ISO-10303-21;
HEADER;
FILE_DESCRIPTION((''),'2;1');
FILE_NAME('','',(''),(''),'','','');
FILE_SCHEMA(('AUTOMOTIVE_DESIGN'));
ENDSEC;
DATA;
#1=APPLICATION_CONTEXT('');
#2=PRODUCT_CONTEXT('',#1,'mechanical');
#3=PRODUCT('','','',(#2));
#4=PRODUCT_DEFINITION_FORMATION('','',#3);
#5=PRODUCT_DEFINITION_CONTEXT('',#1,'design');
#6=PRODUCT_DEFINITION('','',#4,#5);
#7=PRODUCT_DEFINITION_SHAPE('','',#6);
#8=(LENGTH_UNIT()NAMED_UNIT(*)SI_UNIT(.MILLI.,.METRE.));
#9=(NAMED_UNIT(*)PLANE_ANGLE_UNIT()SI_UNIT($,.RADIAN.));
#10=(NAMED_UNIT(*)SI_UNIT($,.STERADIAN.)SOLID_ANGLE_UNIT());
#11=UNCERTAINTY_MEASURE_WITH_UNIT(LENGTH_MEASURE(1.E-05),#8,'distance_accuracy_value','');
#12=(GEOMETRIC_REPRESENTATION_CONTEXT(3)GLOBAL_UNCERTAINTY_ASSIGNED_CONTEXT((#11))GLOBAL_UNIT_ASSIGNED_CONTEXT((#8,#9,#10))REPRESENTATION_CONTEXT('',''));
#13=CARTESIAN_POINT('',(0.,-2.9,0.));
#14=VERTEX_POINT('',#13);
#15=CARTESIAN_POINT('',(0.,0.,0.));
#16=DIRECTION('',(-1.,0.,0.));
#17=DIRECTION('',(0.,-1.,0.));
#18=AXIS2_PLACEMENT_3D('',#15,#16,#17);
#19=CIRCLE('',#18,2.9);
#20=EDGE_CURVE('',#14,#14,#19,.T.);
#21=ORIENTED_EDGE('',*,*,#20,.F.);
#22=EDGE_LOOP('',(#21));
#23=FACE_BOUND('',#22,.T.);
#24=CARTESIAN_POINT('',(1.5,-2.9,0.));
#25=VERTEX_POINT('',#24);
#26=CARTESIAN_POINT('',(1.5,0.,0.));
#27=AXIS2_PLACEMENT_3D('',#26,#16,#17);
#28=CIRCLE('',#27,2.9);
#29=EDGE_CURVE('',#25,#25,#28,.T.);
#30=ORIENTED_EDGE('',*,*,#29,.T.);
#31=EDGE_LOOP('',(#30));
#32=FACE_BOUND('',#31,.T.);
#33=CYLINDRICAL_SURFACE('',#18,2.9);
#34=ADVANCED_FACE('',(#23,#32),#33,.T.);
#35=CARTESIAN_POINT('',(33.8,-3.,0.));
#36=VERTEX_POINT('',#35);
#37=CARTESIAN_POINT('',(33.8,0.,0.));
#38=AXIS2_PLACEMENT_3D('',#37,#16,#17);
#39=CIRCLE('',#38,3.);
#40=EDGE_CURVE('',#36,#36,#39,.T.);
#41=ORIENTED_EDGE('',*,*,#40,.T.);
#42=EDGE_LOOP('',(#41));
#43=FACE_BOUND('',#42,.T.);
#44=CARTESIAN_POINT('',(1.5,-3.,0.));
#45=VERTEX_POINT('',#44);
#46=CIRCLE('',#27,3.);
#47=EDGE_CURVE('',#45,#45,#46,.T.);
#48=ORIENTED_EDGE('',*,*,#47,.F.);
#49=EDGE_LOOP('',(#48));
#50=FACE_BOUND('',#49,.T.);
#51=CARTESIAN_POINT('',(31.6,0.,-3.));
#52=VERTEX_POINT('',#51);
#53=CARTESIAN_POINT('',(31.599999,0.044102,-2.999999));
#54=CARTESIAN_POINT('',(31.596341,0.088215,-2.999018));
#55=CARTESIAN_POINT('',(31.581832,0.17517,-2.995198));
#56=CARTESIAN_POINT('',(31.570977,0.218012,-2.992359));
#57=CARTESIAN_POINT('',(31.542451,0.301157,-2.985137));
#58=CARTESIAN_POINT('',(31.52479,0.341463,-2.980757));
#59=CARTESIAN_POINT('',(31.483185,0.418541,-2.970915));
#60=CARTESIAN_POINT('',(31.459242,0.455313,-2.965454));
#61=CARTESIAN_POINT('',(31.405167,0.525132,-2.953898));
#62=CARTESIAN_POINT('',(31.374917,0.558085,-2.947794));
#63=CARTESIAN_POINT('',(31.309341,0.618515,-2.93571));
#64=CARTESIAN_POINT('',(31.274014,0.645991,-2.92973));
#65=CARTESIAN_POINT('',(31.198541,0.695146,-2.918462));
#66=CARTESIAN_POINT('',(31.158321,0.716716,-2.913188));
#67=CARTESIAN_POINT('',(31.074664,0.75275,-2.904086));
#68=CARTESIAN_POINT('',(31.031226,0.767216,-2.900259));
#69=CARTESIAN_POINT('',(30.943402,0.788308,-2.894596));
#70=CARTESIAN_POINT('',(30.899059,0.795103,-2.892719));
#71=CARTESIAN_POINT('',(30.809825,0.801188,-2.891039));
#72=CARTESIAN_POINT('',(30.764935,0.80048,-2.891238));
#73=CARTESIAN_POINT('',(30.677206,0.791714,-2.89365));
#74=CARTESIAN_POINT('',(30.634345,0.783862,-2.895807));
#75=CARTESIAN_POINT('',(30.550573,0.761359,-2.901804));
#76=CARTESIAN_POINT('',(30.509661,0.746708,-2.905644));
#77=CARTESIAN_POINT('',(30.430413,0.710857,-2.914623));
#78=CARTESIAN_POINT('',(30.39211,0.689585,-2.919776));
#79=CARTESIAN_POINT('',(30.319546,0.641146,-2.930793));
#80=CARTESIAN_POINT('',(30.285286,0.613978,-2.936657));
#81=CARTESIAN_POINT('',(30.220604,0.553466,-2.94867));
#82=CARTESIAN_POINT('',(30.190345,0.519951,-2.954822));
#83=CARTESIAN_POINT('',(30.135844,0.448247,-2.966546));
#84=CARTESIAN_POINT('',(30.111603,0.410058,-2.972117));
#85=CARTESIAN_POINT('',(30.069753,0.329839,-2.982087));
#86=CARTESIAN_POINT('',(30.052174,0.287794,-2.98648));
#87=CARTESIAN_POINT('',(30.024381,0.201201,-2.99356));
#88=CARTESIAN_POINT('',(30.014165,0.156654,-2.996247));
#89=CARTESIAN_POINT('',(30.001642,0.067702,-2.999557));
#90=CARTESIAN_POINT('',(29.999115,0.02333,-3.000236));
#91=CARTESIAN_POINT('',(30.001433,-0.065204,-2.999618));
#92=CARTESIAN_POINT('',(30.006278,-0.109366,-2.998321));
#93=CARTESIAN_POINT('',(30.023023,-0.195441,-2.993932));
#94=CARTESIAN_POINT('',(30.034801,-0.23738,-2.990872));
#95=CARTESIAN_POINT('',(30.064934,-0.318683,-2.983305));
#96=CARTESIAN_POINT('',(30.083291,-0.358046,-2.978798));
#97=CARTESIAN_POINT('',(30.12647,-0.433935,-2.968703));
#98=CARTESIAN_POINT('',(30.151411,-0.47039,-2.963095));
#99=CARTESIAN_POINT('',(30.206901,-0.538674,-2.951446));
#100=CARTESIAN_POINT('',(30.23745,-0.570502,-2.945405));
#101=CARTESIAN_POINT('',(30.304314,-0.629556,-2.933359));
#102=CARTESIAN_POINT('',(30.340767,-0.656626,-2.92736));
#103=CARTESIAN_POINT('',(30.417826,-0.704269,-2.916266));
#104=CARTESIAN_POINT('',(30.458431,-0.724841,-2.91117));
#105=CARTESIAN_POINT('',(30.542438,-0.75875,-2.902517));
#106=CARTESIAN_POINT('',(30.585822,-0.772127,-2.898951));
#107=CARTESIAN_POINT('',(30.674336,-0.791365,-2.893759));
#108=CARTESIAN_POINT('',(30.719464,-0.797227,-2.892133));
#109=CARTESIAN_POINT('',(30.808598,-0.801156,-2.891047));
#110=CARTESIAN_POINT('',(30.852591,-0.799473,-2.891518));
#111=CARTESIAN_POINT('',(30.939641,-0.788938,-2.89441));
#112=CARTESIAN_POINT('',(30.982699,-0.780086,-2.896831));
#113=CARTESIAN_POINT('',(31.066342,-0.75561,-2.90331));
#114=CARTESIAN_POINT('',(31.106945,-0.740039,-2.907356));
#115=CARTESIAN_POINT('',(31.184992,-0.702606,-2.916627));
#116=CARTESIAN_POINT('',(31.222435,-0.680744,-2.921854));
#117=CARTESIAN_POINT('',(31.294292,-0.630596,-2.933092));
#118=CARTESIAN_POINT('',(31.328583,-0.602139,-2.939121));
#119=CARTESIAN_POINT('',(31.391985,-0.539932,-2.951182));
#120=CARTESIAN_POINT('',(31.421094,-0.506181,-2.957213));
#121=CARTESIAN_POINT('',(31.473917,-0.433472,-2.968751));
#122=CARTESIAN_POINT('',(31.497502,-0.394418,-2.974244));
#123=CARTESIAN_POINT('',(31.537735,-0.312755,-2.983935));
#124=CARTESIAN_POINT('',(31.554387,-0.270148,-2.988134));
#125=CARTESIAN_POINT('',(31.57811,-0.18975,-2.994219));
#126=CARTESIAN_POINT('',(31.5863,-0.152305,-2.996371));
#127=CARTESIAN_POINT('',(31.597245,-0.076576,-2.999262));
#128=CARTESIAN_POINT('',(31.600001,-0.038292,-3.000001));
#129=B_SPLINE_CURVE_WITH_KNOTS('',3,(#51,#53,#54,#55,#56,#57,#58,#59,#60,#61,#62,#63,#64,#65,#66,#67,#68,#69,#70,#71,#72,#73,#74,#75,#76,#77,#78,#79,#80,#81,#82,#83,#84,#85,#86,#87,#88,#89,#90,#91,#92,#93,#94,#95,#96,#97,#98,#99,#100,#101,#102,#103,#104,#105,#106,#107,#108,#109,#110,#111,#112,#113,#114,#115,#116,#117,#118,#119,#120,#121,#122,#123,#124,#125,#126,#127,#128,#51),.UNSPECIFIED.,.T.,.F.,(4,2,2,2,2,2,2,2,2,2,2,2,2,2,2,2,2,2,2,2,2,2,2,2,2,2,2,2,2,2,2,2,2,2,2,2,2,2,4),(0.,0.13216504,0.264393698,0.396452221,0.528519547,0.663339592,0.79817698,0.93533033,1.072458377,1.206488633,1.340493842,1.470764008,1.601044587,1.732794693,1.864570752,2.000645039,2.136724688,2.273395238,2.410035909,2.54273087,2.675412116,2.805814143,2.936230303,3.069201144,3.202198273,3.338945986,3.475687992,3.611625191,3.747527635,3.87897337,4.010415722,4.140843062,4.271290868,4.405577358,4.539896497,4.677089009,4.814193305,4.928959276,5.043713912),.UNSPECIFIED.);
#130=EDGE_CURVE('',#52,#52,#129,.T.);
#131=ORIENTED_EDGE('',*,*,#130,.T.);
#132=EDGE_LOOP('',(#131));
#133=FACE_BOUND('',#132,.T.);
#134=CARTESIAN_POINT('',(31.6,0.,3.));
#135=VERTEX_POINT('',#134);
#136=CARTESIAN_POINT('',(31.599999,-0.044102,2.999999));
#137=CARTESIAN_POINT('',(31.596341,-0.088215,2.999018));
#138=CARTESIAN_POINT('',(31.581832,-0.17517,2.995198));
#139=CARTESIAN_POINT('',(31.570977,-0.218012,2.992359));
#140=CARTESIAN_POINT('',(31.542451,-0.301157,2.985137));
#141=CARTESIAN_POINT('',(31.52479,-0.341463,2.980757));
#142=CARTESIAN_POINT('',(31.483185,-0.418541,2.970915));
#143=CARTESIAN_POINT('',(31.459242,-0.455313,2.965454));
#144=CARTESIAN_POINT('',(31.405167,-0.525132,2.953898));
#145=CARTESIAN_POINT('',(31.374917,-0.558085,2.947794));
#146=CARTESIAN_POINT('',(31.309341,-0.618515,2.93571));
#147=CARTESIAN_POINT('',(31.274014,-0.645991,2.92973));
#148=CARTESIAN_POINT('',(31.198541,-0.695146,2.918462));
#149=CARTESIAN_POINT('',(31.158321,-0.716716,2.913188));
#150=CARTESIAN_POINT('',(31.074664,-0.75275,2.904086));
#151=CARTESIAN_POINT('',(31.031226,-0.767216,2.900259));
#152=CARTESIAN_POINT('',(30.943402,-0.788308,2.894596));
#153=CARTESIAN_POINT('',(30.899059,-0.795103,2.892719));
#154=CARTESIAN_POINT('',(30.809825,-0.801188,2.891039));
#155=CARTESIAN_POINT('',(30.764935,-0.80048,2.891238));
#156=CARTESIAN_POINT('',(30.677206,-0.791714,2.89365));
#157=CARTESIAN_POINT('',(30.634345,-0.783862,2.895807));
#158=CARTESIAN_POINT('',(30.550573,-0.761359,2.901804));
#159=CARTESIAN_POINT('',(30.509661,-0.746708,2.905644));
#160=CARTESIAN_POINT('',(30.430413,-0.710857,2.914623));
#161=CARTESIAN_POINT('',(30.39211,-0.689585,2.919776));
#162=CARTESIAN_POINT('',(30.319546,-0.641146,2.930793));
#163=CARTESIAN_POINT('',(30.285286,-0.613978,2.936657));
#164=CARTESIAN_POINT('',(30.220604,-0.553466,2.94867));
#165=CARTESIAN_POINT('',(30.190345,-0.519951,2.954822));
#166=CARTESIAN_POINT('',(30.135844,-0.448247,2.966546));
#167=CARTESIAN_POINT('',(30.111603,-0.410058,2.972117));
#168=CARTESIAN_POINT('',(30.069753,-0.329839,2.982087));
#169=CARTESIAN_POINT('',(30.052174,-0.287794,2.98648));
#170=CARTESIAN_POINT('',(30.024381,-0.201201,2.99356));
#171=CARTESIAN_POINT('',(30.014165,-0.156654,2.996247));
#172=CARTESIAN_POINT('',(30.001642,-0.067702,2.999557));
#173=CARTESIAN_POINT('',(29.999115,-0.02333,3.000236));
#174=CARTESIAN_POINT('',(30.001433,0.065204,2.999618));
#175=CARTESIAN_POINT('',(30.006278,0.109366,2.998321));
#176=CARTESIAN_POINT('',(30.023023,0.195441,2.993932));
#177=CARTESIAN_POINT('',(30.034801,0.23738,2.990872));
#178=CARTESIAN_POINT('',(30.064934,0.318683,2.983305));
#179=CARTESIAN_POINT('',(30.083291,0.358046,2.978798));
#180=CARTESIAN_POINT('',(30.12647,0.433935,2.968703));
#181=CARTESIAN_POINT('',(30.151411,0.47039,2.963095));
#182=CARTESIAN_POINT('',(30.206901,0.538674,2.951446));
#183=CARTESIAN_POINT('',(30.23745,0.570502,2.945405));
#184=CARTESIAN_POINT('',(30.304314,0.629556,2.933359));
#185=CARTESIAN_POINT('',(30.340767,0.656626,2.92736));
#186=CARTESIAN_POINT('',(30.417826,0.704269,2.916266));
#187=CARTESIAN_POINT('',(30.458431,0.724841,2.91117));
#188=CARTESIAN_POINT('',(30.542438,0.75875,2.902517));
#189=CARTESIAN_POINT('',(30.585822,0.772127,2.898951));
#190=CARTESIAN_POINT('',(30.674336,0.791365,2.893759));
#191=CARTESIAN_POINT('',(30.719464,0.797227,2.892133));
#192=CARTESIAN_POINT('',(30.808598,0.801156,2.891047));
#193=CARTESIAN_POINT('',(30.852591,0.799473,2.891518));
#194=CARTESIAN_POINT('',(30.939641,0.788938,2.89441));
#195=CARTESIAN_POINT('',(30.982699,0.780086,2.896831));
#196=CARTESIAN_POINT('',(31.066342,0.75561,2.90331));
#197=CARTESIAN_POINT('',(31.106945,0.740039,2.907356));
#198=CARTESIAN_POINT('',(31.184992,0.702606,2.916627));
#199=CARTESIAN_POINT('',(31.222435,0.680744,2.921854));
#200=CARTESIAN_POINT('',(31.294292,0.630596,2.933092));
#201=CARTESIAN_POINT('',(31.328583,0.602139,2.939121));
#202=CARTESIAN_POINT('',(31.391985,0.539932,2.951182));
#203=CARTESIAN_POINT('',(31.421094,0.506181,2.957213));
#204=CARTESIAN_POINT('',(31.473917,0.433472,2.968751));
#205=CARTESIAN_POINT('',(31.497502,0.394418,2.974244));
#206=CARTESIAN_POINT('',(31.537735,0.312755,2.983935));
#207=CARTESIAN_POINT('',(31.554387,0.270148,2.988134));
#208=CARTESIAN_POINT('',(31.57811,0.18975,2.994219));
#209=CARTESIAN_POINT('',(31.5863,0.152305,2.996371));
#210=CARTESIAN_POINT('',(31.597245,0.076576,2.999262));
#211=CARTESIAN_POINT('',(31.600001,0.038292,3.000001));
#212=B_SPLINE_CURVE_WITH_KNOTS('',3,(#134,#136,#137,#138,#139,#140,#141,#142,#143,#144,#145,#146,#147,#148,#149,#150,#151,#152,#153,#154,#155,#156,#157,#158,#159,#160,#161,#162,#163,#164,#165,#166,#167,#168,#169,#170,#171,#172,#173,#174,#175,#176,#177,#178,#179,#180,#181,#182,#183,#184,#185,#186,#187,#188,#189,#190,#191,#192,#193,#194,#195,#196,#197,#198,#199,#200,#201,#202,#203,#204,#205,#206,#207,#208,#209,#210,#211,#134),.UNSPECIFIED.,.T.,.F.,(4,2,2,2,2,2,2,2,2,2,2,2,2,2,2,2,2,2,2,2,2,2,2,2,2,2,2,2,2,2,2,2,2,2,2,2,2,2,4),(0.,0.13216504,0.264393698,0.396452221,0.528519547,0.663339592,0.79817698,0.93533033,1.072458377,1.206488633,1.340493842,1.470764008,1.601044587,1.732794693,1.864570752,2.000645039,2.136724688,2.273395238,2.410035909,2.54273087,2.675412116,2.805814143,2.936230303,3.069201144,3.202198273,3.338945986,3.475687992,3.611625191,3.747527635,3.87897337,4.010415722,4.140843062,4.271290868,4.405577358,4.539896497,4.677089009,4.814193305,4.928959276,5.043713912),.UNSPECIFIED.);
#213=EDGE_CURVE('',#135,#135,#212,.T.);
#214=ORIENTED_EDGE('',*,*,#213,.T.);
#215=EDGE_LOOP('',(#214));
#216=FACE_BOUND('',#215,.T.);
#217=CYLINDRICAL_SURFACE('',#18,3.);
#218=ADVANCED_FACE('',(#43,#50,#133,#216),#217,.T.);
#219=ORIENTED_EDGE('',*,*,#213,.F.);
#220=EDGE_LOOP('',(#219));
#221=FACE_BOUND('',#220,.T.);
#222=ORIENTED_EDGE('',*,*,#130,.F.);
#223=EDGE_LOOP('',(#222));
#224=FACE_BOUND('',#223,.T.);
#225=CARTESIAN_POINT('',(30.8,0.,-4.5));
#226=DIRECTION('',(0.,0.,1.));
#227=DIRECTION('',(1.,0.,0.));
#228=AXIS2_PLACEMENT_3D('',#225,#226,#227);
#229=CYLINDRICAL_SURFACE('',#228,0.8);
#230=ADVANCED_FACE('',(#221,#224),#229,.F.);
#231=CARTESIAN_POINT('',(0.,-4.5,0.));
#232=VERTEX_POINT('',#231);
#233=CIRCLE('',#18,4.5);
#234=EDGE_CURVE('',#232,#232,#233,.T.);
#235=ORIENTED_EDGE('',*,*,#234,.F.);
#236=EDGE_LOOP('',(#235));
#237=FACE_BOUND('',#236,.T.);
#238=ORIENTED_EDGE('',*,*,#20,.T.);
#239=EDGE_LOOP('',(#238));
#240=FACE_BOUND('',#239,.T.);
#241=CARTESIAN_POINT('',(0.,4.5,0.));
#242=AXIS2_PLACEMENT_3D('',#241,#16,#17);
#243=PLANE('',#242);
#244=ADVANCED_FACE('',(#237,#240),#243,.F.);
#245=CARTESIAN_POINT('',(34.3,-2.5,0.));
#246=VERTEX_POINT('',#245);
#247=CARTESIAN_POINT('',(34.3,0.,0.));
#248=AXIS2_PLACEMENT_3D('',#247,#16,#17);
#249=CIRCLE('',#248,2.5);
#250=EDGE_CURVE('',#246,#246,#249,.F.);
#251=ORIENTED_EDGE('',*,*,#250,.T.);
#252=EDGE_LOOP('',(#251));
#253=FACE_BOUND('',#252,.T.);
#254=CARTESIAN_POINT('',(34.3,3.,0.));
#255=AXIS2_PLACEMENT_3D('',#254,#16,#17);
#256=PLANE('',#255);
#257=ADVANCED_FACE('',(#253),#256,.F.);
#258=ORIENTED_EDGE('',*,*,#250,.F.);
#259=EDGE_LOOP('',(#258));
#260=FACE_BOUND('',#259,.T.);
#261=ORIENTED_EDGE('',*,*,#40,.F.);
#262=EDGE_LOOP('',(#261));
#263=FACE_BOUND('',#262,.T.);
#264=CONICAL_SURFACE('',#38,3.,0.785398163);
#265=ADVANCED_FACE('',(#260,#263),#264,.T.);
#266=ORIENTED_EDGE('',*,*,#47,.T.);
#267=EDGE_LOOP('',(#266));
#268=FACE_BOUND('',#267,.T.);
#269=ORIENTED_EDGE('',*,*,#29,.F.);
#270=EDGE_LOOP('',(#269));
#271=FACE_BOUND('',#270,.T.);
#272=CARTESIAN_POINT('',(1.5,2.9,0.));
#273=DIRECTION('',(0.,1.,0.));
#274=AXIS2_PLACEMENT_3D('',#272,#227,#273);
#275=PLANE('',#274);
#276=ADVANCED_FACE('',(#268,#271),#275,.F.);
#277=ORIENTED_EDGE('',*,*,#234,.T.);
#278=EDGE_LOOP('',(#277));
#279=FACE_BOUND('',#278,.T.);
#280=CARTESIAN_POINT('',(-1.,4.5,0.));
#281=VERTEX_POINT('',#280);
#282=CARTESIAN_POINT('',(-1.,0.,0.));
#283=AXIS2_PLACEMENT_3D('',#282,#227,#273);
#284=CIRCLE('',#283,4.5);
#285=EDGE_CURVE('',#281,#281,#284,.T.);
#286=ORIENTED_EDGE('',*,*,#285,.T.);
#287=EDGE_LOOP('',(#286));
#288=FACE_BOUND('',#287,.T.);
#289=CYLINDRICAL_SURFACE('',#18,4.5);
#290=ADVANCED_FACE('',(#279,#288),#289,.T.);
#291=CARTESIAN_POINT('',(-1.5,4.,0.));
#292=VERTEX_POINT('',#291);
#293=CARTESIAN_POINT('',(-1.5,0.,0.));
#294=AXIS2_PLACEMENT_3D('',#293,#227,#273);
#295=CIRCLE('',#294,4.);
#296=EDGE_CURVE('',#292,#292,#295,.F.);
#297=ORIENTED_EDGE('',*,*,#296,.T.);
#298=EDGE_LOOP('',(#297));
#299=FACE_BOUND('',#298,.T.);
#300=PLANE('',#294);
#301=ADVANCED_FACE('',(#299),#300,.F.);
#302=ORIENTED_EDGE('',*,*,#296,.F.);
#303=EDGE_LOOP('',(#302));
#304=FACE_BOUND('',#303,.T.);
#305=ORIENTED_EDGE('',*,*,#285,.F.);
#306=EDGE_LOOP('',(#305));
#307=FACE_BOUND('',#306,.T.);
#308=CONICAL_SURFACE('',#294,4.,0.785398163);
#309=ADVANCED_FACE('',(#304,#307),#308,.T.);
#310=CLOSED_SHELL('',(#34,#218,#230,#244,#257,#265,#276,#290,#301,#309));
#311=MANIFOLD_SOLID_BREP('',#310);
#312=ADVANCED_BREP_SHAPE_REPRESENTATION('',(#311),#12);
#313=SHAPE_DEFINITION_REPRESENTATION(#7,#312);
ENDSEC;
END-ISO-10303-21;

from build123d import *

# Parameters (mm, degrees)
SKETCH2_R          = 0.8
CUT_EXTRUDE1_DEPTH = 36.397598789
CHAMFER1_SIZE      = 0.5


with BuildPart() as part:
    # Sketch1 → Revolve1 (revolve)
    with BuildSketch(Plane.XY, mode=Mode.PRIVATE) as revolve1_sk:
        Polygon((-1.5, 0), (-1.5, 4.5), (0, 4.5), (0, 2.9), (1.5, 2.9), (1.5, 3), (34.3, 3), (34.3, 0), align=None)
    revolve(revolve1_sk.sketch.rotate(Axis((0, 0, 0), (1, 0, 0)), 180), axis=Axis((0, 0, 0), (1, 0, 0)))

    # Sketch2 → Cut-Extrude1 (cut, through all)
    with BuildSketch(Plane.XY.offset(3)):
        with Locations((30.8, 0)):
            Circle(SKETCH2_R)
    extrude(amount=-CUT_EXTRUDE1_DEPTH, mode=Mode.SUBTRACT)

    # Chamfer1
    chamfer1_edges = [part.edges().sort_by_distance(p)[0] for p in [
        (34.3, 3, 0),
        (-1.5, 4.5, 0),
    ]]
    chamfer(chamfer1_edges, length=CHAMFER1_SIZE)


solid = part.part
